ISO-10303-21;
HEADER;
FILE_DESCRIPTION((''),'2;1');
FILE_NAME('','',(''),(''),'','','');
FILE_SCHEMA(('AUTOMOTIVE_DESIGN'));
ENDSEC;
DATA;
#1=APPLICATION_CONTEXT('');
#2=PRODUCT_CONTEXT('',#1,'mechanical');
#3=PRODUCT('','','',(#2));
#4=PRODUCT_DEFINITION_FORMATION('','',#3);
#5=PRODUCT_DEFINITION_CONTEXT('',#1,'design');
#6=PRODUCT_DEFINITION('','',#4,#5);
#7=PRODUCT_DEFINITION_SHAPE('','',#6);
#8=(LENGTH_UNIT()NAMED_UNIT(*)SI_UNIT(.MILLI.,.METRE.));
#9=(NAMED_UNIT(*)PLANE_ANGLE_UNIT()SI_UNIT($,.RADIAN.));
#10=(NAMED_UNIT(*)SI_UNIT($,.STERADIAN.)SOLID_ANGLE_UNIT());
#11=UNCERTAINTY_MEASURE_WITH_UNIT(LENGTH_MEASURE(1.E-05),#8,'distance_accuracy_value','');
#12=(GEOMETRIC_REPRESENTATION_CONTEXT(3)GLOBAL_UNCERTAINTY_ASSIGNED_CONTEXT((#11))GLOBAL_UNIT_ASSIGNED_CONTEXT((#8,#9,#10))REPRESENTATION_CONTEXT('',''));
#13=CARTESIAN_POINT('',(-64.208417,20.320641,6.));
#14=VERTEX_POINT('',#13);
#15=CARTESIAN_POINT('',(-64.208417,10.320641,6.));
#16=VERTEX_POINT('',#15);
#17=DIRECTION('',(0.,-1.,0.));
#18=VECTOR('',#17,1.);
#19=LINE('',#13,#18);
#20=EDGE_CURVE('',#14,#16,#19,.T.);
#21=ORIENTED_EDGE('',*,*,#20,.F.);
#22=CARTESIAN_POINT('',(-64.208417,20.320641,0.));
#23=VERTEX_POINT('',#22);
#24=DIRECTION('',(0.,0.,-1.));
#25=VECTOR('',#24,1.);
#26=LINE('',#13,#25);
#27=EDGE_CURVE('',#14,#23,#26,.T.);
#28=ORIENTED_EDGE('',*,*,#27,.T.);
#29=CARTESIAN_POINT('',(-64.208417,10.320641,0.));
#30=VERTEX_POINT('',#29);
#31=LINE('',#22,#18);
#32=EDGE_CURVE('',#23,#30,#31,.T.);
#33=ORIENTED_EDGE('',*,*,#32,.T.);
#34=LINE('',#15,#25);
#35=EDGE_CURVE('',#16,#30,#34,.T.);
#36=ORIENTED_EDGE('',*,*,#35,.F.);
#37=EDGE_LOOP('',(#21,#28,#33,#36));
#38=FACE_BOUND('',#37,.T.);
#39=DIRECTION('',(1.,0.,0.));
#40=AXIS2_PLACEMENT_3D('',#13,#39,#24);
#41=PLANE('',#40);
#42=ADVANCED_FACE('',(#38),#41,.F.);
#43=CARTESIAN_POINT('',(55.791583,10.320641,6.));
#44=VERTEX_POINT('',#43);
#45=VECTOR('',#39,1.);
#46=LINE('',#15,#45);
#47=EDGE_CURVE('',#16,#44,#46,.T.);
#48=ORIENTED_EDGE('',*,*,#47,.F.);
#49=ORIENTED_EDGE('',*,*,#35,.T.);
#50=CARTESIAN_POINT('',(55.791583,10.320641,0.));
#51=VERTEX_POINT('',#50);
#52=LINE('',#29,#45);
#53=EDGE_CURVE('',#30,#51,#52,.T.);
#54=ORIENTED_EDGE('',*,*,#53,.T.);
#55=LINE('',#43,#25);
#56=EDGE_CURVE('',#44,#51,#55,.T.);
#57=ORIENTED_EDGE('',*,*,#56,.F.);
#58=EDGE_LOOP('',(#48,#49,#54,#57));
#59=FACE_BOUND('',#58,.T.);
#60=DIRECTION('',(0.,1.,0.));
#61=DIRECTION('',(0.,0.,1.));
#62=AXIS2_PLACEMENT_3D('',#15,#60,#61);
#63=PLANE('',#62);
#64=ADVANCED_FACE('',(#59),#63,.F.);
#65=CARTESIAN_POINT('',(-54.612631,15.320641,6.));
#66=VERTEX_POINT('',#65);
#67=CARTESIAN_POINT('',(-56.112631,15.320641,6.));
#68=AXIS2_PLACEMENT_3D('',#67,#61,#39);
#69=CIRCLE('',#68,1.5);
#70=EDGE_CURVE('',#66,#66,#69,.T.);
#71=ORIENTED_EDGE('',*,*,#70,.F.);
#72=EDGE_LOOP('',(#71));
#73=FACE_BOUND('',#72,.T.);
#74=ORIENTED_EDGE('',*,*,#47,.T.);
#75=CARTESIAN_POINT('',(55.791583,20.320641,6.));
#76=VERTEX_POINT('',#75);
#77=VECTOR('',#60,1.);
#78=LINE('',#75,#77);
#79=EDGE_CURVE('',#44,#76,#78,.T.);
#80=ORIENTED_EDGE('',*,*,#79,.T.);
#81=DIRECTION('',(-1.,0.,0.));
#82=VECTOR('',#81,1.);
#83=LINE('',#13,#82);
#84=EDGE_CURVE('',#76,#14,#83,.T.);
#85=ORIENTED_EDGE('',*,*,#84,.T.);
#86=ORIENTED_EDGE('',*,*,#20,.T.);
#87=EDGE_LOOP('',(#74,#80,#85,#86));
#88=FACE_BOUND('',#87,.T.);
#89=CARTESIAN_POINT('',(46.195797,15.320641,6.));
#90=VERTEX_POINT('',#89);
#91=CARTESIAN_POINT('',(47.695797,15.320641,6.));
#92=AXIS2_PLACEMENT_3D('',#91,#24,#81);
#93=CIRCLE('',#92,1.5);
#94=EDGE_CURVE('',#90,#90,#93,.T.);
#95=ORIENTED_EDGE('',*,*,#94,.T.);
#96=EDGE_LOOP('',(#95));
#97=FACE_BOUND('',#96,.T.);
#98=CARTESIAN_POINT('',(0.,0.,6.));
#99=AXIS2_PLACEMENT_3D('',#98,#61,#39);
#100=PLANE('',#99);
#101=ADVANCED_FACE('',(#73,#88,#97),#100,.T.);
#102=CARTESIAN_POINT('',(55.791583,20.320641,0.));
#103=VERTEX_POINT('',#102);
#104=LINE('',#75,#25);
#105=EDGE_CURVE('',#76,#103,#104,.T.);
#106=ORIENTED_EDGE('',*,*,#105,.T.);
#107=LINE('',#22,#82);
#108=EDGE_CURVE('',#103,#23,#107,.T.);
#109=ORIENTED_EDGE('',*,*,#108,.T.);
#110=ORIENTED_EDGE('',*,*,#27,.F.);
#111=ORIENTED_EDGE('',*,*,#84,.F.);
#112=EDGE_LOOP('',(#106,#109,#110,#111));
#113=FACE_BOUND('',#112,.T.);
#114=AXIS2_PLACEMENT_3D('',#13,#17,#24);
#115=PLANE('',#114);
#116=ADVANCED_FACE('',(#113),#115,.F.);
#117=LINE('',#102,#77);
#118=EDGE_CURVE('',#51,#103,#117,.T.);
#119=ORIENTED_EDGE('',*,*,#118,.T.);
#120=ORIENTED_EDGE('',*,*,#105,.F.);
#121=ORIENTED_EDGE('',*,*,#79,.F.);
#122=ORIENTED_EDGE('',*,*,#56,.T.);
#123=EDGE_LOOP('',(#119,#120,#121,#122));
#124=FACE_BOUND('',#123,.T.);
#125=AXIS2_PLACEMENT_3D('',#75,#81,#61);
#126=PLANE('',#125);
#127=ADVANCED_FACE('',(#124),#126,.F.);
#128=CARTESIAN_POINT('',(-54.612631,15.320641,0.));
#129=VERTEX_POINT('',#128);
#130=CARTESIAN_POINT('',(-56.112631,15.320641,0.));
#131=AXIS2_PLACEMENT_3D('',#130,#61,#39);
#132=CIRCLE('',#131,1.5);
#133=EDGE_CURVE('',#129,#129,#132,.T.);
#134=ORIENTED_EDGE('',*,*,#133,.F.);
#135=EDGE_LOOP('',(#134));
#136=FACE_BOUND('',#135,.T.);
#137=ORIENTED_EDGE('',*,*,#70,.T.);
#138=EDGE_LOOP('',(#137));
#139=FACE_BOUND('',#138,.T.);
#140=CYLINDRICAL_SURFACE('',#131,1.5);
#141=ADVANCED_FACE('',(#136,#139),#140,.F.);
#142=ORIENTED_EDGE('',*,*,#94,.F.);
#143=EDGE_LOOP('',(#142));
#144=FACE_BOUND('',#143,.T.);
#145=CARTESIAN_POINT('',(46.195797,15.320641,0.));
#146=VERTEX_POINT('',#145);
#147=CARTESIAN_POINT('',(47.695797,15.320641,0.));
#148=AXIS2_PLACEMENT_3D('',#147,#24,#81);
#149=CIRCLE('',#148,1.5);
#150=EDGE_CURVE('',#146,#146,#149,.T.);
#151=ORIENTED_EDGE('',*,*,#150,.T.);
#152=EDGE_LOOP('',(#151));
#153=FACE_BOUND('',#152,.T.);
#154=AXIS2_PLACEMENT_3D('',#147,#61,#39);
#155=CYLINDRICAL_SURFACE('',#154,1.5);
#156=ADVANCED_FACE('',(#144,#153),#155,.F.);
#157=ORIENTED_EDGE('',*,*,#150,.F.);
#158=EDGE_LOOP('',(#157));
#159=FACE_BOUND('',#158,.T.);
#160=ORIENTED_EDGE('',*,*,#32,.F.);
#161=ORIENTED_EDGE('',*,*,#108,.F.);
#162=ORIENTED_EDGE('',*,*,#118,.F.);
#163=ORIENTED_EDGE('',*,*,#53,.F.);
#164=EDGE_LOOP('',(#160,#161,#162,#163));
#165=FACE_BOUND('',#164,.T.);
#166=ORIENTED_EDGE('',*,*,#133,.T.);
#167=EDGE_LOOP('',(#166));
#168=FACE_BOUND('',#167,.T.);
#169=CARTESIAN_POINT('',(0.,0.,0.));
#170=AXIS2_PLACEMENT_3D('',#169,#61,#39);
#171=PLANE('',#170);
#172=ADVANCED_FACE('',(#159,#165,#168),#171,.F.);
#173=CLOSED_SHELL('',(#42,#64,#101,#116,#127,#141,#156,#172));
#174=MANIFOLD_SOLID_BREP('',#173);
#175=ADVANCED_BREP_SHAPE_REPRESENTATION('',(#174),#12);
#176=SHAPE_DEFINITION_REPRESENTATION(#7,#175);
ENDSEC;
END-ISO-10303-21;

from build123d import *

# Parameters (mm, degrees)
SKETCH_1_W          = 120
SKETCH_1_H          = 10
EXTRUDE_1_DEPTH     = 6
SKETCH_2_R          = 1.5
CUT_EXTRUDE_1_DEPTH = 7


with BuildPart() as part:
    # 草图1 → 凸台-拉伸1 (new body)
    with BuildSketch(Plane.XY):
        with Locations((-4.208416834, 15.320641283)):
            Rectangle(SKETCH_1_W, SKETCH_1_H)
    extrude(amount=EXTRUDE_1_DEPTH)

    # 草图2 → 切除-拉伸1 (cut, through all)
    with BuildSketch(Plane.XY.offset(6)):
        with Locations((-56.112630763, 15.320641283)):
            Circle(SKETCH_2_R)
        with Locations((47.695797096, 15.320641283)):
            Circle(SKETCH_2_R)
    extrude(amount=-CUT_EXTRUDE_1_DEPTH, mode=Mode.SUBTRACT)


solid = part.part
